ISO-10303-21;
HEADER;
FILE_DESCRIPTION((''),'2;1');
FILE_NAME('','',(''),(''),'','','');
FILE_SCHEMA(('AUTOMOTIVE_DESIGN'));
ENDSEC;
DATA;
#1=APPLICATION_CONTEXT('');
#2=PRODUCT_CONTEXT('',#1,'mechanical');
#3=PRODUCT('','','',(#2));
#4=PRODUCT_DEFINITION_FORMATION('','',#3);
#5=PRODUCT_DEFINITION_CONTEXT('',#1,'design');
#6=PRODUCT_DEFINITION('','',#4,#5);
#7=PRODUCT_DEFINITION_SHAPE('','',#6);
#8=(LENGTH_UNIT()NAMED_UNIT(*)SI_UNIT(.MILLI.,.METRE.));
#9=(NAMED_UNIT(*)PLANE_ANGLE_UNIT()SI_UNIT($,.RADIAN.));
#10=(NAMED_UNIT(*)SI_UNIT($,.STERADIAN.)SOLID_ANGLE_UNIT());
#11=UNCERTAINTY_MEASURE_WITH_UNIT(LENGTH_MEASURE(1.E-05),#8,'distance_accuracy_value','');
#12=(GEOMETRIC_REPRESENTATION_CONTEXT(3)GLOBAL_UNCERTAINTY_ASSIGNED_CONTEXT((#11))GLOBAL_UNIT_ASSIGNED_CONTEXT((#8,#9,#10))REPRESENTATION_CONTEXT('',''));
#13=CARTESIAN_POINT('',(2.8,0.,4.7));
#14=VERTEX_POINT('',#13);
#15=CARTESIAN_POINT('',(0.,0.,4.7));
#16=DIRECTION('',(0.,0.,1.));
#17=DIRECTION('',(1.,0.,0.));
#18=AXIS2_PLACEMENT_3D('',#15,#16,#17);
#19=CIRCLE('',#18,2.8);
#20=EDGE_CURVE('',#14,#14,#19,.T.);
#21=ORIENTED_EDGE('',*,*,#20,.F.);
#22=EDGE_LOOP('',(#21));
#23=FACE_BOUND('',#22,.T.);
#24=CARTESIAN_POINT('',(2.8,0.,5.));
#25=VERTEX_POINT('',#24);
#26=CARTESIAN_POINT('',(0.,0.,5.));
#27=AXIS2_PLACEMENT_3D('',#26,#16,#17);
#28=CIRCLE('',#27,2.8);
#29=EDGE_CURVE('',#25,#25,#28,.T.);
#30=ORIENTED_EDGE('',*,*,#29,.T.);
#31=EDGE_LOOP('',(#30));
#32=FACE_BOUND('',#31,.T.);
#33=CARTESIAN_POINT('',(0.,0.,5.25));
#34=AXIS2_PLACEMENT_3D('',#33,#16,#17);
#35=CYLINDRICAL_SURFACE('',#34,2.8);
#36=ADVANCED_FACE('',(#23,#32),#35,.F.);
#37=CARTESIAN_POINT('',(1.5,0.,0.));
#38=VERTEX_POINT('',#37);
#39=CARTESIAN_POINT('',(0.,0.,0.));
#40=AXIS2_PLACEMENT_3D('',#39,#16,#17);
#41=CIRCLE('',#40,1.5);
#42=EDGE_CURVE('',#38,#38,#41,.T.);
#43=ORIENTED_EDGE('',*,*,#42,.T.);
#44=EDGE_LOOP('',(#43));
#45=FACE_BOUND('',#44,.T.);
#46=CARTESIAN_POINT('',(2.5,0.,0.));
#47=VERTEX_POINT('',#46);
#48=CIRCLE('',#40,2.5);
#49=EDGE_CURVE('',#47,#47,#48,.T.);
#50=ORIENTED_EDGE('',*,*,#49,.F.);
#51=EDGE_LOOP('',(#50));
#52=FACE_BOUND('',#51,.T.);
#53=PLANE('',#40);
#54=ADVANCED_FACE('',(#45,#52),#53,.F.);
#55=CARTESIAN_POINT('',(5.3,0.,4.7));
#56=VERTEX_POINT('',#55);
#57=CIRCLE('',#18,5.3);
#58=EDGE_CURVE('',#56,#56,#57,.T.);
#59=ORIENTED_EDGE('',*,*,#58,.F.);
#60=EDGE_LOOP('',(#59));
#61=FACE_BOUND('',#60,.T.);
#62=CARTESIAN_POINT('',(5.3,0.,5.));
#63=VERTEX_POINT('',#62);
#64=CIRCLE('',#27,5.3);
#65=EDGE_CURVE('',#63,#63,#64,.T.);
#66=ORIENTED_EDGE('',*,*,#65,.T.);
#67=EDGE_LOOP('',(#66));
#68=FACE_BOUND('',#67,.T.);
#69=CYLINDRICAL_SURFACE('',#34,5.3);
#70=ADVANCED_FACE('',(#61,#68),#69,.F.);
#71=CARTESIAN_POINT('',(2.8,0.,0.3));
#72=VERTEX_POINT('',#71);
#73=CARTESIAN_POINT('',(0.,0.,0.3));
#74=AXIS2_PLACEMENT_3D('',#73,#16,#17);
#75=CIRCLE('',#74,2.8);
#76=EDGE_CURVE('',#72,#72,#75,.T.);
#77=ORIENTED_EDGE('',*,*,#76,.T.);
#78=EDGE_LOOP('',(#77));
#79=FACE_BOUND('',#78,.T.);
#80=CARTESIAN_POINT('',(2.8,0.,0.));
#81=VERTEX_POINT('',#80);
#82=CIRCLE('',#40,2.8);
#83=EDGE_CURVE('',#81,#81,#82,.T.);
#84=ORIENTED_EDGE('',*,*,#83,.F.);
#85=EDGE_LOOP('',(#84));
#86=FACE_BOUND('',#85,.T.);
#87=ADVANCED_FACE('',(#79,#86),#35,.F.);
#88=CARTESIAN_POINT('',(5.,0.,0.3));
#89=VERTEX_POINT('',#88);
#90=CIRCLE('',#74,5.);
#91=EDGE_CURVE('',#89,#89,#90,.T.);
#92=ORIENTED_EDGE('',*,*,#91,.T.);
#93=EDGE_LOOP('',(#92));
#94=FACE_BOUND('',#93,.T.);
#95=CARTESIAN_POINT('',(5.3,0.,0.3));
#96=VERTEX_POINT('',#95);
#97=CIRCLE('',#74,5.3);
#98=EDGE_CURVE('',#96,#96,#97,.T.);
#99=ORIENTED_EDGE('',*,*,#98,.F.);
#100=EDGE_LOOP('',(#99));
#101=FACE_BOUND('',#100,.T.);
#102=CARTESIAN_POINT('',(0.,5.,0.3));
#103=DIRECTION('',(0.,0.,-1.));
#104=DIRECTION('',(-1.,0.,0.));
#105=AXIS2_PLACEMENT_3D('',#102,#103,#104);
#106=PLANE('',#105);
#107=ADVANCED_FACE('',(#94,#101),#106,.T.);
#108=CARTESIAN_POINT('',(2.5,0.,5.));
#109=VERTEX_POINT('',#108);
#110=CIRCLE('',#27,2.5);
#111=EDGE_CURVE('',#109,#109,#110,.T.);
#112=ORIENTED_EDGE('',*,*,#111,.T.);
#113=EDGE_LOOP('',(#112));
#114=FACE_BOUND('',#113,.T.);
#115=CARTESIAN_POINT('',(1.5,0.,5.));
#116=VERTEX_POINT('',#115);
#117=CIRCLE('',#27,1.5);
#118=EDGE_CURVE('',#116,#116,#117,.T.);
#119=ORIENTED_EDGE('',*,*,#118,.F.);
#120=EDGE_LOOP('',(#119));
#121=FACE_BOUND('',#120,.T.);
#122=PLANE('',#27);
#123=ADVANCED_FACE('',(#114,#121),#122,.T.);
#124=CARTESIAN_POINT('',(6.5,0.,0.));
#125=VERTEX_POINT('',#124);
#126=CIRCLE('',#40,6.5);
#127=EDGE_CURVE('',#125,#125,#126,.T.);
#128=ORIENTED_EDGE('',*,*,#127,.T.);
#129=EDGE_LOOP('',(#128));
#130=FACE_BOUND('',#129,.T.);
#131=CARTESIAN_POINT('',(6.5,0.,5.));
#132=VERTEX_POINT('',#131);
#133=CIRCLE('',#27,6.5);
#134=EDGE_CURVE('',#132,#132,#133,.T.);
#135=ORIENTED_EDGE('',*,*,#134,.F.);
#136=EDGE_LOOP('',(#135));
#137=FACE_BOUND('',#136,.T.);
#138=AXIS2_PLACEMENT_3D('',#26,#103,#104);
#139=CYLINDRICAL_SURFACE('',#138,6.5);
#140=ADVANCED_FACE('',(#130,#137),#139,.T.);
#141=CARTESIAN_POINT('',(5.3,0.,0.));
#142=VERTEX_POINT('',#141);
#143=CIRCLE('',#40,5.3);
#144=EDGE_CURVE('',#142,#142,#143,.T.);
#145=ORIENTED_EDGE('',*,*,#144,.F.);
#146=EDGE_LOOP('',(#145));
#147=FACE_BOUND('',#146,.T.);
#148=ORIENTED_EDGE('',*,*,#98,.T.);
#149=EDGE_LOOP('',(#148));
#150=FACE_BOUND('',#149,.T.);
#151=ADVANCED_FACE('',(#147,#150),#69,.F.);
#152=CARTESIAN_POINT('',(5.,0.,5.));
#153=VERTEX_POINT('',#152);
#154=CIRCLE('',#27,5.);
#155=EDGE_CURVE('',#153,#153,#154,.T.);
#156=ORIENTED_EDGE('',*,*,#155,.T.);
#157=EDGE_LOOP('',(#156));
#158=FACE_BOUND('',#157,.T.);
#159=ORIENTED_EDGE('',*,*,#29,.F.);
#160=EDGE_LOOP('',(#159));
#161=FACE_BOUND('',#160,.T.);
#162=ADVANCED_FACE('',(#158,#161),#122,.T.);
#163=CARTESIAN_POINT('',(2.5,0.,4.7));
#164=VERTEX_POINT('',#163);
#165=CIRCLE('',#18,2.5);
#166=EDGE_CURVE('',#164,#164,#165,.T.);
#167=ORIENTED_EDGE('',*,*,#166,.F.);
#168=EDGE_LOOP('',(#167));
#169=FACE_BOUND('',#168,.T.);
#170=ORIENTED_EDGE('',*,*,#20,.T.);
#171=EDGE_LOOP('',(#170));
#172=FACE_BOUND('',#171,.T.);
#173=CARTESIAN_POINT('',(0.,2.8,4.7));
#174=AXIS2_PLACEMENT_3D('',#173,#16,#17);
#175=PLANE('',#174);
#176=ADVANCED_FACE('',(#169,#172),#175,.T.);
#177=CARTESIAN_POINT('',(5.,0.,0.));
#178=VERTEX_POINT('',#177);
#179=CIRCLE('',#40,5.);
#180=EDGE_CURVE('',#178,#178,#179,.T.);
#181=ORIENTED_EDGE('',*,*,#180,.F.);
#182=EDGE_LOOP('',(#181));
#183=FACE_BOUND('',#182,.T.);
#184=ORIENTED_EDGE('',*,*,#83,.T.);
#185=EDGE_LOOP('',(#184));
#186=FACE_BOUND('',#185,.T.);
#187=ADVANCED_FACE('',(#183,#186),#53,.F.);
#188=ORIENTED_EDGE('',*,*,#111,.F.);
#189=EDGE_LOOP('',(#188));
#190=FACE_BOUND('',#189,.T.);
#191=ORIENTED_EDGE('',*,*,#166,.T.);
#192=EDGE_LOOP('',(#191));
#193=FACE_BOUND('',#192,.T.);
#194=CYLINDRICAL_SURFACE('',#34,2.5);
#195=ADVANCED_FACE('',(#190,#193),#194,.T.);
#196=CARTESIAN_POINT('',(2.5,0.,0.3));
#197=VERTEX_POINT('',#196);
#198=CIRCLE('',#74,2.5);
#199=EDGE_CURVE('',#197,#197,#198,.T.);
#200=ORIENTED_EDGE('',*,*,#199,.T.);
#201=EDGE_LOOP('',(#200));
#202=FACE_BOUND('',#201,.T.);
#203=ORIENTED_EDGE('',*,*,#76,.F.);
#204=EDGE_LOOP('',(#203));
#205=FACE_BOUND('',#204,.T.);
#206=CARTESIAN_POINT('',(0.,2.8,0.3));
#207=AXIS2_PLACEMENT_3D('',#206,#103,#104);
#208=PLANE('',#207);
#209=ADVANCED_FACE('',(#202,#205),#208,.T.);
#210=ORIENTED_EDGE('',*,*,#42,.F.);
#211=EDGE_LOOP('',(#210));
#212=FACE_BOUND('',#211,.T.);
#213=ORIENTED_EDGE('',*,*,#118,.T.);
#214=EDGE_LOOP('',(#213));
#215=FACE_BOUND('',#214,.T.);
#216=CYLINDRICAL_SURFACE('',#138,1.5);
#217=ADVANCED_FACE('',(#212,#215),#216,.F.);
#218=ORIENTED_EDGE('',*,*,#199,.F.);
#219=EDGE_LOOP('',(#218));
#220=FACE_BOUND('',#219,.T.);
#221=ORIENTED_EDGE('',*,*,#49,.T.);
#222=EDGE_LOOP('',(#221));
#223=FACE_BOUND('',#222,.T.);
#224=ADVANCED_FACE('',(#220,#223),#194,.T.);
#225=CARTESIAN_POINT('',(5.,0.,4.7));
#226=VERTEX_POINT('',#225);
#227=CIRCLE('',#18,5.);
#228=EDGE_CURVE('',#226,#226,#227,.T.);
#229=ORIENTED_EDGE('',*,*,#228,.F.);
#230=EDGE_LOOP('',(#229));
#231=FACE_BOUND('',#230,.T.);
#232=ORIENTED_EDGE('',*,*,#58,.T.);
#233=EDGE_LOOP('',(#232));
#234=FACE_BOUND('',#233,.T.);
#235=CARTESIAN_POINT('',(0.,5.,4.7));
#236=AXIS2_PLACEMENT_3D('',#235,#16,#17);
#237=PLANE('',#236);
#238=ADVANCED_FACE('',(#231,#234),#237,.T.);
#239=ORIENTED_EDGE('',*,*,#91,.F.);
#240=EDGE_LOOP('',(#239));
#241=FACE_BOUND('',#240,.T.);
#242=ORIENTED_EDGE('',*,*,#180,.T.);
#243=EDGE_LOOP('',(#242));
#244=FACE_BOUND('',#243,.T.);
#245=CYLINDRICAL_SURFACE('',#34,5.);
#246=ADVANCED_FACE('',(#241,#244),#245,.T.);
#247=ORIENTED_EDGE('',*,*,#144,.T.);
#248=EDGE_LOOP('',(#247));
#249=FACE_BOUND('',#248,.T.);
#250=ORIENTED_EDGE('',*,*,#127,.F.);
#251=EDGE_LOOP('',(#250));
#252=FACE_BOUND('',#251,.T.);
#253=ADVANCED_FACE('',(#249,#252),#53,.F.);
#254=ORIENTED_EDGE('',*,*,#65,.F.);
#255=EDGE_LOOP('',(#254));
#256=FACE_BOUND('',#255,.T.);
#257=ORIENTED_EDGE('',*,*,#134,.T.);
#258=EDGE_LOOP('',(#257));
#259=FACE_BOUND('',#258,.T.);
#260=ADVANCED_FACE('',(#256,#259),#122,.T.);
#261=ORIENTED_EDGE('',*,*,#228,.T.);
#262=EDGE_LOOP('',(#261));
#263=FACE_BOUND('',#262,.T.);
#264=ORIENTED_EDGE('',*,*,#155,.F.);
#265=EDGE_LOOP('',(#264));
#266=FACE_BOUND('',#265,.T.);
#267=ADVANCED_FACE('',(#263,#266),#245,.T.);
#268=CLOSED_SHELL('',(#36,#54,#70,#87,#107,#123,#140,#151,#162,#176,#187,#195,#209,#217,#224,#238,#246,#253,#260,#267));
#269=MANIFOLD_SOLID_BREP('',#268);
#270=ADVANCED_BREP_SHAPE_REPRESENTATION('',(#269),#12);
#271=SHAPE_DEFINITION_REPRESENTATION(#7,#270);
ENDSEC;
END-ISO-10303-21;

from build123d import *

# Parameters (mm, degrees)
ESQUISSE1_R        = 6.5
ESQUISSE1_R_2      = 1.5
BOSS_EXTRU_1_DEPTH = 5
ESQUISSE3_W        = 0.3
ESQUISSE3_H        = 0.3


with BuildPart() as part:
    # Esquisse1 → Boss.-Extru.1 (new body)
    with BuildSketch(Plane.XY):
        Circle(ESQUISSE1_R)
        Circle(ESQUISSE1_R_2, mode=Mode.SUBTRACT)
    extrude(amount=BOSS_EXTRU_1_DEPTH)

    # Esquisse3 → Enlèvement de matière-Révolution1 (revolve, cut)
    with BuildSketch(Plane(origin=(0, 0, 0), x_dir=(0, 0, -1), z_dir=(1, 0, 0))):
        with Locations((-4.85, 2.65)):
            Rectangle(ESQUISSE3_W, ESQUISSE3_H)
        with Locations((-0.15, 2.65)):
            Rectangle(ESQUISSE3_W, ESQUISSE3_H)
        with Locations((-4.85, 5.15)):
            Rectangle(ESQUISSE3_W, ESQUISSE3_H)
        with Locations((-0.15, 5.15)):
            Rectangle(ESQUISSE3_W, ESQUISSE3_H)
    revolve(axis=Axis((0, 0, 5.25), (0, 0, -1)), mode=Mode.SUBTRACT)


solid = part.part
